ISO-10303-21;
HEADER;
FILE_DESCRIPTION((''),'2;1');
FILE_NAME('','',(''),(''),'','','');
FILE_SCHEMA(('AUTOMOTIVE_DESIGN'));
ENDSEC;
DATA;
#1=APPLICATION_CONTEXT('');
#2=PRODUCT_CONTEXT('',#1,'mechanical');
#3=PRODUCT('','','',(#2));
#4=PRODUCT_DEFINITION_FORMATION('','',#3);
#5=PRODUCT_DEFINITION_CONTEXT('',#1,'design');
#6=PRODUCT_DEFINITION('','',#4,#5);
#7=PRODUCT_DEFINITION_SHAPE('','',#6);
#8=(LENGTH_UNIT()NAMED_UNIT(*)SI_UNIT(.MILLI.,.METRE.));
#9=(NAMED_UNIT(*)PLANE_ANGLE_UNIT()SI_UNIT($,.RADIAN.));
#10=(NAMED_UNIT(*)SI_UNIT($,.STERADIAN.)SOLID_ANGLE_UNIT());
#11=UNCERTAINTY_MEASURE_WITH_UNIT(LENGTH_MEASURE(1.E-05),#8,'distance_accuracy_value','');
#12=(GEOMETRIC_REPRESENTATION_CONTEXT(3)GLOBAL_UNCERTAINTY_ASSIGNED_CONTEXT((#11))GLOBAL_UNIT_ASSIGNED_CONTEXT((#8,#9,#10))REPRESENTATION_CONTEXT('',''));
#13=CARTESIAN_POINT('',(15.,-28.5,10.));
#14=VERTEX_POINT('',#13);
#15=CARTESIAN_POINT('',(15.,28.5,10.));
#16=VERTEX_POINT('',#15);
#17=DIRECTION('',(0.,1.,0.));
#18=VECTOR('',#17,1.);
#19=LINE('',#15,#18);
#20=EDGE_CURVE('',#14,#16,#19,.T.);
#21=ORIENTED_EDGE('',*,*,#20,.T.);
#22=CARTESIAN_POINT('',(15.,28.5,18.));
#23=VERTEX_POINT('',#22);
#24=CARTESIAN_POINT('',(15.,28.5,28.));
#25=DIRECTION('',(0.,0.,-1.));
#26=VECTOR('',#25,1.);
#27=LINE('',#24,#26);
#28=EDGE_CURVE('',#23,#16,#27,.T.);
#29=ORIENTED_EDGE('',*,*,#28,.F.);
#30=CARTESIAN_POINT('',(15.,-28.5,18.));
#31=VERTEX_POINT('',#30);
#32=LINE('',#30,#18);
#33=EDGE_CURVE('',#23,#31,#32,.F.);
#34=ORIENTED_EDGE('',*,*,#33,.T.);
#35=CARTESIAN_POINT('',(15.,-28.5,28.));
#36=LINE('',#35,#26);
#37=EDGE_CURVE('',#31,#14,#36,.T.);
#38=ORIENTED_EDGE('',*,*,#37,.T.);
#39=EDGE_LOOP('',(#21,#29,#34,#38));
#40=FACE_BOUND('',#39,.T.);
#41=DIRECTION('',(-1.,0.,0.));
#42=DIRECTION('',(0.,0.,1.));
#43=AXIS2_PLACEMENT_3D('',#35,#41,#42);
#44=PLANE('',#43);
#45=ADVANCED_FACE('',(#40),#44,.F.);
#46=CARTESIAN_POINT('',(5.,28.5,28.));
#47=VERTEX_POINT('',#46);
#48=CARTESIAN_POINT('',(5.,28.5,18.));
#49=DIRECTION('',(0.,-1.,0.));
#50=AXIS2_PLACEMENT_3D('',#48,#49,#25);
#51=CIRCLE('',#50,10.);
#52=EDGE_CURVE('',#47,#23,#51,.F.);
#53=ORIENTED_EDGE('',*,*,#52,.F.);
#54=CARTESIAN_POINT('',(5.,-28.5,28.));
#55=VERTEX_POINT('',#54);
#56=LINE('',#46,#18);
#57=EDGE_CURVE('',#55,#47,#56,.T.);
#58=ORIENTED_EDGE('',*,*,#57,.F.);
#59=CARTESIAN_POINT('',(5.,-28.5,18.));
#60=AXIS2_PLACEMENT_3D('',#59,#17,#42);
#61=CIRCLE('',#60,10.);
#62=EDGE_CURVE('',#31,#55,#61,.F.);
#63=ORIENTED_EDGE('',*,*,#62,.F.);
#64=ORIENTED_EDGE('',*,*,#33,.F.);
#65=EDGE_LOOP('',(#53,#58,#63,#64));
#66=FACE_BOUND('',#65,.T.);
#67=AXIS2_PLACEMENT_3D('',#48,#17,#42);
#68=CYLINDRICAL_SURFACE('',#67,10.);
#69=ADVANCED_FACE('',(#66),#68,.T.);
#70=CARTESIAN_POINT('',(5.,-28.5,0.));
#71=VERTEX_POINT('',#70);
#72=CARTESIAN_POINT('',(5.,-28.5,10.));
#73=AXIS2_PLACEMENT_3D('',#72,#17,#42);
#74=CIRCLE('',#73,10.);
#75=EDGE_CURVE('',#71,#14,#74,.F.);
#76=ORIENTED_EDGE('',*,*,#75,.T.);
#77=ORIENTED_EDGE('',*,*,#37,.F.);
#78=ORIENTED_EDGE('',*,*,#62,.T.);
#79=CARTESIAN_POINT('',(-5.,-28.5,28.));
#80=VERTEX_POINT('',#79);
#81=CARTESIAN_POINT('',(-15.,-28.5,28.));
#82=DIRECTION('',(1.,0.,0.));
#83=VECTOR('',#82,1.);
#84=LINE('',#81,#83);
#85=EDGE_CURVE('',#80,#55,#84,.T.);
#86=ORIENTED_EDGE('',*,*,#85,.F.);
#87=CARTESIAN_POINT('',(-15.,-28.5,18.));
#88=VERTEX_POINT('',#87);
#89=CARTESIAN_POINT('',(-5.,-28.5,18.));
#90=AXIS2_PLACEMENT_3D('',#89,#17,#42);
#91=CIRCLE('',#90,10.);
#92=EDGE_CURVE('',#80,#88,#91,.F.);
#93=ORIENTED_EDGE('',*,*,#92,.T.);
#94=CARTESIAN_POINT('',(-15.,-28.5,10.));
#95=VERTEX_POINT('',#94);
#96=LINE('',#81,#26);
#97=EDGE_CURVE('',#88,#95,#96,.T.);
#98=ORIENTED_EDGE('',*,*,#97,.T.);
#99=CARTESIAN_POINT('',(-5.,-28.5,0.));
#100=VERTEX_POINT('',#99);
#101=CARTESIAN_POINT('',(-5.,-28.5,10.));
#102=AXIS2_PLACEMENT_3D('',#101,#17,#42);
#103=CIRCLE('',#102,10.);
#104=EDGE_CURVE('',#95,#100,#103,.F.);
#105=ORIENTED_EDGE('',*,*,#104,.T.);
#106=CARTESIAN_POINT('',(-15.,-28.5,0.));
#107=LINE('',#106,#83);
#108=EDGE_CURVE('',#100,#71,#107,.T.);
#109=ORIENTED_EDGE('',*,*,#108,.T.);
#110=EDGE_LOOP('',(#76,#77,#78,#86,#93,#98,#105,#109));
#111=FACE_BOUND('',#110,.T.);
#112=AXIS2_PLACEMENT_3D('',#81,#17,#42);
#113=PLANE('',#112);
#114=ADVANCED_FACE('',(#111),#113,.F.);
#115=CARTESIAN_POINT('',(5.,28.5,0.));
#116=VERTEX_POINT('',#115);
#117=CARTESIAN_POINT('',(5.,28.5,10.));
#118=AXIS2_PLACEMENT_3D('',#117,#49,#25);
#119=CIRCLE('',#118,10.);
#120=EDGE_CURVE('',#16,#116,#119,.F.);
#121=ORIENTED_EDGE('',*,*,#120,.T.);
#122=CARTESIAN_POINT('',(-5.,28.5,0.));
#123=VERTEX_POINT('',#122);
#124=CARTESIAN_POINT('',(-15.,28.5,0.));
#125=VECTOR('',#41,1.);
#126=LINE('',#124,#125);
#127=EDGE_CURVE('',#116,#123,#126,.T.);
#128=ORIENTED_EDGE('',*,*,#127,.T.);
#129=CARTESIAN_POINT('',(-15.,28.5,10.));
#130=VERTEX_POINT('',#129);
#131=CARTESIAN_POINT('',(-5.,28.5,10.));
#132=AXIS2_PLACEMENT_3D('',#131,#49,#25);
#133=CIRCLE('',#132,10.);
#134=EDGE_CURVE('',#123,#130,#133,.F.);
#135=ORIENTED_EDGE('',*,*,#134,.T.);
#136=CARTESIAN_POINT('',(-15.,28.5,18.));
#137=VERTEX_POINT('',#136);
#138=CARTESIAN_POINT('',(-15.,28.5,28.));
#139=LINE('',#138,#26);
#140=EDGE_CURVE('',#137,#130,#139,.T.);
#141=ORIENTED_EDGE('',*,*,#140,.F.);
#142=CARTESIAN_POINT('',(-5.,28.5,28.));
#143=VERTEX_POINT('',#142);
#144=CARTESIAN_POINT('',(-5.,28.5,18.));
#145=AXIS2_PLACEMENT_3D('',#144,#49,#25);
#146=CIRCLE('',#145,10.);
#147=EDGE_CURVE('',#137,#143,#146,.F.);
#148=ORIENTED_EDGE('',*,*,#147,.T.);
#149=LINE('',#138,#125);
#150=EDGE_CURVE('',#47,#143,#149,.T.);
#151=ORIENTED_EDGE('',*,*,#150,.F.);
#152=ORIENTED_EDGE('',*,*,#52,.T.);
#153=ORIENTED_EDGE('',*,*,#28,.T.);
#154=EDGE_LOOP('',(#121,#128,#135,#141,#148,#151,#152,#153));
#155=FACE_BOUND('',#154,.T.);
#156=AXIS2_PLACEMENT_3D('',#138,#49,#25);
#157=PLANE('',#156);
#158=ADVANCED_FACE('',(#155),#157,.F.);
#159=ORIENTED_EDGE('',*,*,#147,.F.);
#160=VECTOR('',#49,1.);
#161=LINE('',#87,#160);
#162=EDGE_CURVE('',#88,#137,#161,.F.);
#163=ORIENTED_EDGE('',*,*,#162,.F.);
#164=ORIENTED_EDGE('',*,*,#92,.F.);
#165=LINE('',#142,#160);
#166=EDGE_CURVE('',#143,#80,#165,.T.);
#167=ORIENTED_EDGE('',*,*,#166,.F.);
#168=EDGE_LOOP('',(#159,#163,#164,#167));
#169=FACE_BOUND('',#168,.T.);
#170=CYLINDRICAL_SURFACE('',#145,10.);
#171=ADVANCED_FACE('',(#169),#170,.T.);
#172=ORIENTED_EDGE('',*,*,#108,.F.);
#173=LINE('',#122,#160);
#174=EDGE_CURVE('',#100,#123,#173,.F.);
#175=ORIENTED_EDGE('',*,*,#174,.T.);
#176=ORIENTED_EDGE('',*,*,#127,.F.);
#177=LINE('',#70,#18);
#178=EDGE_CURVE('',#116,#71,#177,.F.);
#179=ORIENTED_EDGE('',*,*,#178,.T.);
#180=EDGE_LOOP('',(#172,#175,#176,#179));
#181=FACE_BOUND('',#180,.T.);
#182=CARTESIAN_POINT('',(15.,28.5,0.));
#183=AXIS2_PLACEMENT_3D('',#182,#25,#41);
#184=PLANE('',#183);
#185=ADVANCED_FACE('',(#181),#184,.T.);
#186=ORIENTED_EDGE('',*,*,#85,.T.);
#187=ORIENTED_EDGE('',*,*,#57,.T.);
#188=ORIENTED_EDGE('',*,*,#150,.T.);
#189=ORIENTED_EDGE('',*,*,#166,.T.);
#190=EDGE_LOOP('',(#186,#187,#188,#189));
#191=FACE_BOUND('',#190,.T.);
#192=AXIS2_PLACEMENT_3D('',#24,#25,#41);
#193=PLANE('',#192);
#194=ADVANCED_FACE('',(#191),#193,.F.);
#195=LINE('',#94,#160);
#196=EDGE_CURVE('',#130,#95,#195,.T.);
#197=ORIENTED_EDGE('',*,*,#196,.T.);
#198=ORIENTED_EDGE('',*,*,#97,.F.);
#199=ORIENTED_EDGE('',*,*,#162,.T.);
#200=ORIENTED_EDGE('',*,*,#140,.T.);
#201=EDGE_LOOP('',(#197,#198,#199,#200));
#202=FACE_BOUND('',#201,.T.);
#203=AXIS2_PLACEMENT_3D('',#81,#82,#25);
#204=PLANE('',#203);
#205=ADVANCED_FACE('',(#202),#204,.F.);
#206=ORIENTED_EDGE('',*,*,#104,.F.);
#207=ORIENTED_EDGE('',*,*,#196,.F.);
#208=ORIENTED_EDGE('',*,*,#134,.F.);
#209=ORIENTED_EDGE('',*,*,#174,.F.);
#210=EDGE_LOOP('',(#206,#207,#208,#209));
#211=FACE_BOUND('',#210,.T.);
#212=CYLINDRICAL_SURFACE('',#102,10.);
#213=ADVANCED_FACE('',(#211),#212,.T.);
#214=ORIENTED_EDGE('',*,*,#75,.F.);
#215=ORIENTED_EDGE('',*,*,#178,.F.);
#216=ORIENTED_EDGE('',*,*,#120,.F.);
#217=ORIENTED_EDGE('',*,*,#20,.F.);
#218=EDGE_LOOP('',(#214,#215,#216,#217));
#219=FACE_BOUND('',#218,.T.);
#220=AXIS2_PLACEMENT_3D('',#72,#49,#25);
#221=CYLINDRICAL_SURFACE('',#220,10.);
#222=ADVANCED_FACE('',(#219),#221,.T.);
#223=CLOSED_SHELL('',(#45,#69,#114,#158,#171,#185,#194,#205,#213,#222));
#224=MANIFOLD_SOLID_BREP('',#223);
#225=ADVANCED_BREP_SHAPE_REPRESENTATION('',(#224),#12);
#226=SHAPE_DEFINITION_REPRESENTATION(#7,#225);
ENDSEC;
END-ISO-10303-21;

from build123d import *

# Parameters (mm, degrees)
SKETCH1_W           = 30
SKETCH1_H           = 57
BOSS_EXTRUDE1_DEPTH = 28
FILLET1_R           = 10


with BuildPart() as part:
    # Sketch1 → Boss-Extrude1 (new body)
    with BuildSketch(Plane.XY):
        Rectangle(SKETCH1_W, SKETCH1_H)
    extrude(amount=BOSS_EXTRUDE1_DEPTH)

    # Fillet1
    fillet1_edges = [part.edges().sort_by_distance(p)[0] for p in [
        (-15, 0, 28),
        (15, 0, 28),
        (-15, 0, 0),
        (15, 0, 0),
    ]]
    fillet(fillet1_edges, radius=FILLET1_R)


solid = part.part
